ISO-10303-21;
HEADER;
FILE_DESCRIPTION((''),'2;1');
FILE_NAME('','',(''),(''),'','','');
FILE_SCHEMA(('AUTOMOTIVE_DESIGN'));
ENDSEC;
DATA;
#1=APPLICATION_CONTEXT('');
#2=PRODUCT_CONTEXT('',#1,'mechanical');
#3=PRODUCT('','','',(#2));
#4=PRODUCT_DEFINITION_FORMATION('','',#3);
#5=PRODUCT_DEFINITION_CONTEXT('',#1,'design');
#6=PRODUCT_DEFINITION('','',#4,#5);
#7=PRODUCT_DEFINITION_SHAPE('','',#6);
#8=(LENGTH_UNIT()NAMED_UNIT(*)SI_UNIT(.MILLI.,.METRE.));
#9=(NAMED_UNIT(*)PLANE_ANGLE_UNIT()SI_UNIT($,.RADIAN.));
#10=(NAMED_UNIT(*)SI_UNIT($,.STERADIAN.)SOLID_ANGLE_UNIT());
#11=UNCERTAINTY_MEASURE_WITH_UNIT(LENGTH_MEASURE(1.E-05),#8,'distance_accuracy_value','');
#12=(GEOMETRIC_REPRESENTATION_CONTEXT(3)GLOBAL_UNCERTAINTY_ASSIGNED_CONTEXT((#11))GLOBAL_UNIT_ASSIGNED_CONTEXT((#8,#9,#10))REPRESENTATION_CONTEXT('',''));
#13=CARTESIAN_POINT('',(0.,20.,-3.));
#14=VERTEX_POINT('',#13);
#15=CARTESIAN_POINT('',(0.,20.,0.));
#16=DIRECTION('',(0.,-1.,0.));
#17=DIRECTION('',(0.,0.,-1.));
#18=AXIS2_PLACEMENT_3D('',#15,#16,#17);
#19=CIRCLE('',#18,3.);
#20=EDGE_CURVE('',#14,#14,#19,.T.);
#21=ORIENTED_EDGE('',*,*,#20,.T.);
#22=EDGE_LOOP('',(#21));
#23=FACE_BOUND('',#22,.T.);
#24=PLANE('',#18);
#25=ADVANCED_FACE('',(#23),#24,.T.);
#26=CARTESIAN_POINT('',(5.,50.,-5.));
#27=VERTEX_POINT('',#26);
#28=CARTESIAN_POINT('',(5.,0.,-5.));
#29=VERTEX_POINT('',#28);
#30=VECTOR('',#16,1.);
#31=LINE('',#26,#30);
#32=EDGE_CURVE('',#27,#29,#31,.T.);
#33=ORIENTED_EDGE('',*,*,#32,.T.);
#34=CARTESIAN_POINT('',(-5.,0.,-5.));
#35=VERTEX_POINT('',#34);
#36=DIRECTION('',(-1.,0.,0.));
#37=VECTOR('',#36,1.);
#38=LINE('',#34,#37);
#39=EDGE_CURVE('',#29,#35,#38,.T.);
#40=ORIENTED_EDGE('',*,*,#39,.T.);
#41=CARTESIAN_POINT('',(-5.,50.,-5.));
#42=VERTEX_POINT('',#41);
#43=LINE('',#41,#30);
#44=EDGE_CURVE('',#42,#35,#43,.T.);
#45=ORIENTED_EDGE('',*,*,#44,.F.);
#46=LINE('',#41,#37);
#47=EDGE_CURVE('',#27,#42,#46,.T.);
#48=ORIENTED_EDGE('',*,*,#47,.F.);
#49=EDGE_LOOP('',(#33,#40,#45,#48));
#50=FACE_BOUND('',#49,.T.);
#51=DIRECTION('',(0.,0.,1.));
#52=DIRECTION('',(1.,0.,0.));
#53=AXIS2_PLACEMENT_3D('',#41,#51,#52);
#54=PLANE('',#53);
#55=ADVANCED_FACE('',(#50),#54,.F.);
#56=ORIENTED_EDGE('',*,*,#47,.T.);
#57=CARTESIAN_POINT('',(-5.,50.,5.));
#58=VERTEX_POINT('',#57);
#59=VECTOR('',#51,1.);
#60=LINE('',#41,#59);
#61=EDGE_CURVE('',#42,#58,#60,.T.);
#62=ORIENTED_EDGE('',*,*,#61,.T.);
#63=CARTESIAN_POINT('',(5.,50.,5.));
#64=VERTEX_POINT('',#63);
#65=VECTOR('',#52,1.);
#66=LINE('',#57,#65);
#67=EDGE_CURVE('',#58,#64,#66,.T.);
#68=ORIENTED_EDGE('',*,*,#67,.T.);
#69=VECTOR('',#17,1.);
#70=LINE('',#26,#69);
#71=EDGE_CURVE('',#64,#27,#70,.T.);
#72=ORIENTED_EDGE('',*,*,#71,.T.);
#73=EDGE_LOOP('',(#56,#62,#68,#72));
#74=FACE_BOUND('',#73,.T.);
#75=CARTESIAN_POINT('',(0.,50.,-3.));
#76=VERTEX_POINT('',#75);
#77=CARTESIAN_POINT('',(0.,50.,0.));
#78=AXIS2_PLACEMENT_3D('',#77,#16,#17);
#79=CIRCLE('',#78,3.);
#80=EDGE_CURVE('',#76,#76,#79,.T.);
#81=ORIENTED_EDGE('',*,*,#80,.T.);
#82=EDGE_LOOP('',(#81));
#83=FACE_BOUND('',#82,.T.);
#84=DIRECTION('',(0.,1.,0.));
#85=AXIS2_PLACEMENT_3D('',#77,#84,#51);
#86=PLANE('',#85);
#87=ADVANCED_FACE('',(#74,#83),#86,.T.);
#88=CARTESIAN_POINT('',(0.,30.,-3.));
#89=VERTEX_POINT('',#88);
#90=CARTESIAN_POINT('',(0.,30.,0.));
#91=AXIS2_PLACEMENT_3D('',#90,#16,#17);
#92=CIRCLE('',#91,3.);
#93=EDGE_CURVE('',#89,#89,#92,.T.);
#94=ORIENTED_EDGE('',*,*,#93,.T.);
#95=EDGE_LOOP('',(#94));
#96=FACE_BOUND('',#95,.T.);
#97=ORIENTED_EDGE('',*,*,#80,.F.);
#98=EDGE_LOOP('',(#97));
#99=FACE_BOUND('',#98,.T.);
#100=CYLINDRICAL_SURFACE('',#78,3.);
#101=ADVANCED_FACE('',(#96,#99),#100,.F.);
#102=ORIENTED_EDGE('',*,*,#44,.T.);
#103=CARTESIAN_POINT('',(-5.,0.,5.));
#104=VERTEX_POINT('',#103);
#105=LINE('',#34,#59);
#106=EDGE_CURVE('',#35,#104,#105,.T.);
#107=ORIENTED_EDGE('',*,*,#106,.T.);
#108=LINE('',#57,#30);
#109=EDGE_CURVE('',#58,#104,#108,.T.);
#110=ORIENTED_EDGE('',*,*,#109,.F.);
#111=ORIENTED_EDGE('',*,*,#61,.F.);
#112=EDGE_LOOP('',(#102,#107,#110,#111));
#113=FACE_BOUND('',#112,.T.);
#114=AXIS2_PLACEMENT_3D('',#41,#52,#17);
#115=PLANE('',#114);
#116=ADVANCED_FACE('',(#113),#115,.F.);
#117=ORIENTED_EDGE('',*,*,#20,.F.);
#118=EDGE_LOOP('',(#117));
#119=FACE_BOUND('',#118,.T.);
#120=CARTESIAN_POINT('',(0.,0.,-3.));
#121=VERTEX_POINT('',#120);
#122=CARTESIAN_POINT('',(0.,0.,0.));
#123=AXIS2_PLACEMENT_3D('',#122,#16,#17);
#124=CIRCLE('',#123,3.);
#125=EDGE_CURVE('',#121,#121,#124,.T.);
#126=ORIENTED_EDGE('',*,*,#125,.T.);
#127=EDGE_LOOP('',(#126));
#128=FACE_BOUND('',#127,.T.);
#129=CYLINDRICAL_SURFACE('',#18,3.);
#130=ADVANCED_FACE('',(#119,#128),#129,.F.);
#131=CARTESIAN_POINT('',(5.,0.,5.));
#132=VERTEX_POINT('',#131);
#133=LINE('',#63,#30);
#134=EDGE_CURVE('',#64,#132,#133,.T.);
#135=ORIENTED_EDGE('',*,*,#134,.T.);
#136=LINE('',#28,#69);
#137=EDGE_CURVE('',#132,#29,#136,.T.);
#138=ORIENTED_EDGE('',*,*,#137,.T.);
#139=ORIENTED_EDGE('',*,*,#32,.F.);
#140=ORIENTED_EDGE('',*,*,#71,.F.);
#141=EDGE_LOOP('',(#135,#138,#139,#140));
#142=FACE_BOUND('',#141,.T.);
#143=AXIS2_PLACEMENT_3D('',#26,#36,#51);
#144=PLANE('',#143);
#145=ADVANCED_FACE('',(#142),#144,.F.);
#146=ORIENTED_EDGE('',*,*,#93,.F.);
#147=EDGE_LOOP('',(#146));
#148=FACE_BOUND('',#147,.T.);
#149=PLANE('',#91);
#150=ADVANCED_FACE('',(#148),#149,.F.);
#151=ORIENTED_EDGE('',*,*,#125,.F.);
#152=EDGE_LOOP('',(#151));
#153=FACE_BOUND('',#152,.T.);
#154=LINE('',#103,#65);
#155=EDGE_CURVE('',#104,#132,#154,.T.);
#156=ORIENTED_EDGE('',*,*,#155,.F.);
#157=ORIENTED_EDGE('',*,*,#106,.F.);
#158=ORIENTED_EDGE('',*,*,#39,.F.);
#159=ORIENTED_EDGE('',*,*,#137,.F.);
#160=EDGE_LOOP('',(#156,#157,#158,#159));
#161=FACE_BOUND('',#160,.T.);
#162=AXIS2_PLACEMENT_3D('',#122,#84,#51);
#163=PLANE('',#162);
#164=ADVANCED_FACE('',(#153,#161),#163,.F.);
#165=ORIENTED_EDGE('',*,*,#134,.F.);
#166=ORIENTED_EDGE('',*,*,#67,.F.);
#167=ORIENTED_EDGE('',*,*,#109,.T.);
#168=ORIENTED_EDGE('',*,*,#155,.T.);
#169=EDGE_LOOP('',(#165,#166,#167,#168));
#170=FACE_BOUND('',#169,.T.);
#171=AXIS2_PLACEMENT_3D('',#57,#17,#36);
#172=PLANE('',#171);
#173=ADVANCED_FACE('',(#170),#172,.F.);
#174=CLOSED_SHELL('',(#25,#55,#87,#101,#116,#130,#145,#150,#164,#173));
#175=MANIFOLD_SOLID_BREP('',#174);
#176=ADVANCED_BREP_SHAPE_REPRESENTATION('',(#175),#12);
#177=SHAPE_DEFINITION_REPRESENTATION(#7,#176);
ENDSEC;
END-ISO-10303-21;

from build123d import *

# Parameters (mm, degrees)
SKETCH1_W           = 10
SKETCH1_H           = 10
BOSS_EXTRUDE1_DEPTH = 50
SKETCH2_R           = 3
CUT_EXTRUDE1_DEPTH  = 20
LPATTERN1_COUNT     = 2
LPATTERN1_PITCH     = 30


with BuildPart() as part:
    # Sketch1 → Boss-Extrude1 (new body)
    with BuildSketch(Plane(origin=(0, 0, 0), x_dir=(1, 0, 0), z_dir=(0, 1, 0))):
        Rectangle(SKETCH1_W, SKETCH1_H)
    extrude(amount=BOSS_EXTRUDE1_DEPTH)

    # Sketch2 → Cut-Extrude1 (cut)
    with BuildSketch(Plane.XZ):
        with Locations(Location((0, 0, 0), (0, 0, 270))):
            Circle(SKETCH2_R)
    cut_extrude1 = extrude(amount=-CUT_EXTRUDE1_DEPTH, mode=Mode.SUBTRACT)

    # LPattern1: Cut-Extrude1 ×2
    with Locations(*[(0, i * LPATTERN1_PITCH, 0) for i in range(1, LPATTERN1_COUNT)]):
        add(cut_extrude1, mode=Mode.SUBTRACT)


solid = part.part
